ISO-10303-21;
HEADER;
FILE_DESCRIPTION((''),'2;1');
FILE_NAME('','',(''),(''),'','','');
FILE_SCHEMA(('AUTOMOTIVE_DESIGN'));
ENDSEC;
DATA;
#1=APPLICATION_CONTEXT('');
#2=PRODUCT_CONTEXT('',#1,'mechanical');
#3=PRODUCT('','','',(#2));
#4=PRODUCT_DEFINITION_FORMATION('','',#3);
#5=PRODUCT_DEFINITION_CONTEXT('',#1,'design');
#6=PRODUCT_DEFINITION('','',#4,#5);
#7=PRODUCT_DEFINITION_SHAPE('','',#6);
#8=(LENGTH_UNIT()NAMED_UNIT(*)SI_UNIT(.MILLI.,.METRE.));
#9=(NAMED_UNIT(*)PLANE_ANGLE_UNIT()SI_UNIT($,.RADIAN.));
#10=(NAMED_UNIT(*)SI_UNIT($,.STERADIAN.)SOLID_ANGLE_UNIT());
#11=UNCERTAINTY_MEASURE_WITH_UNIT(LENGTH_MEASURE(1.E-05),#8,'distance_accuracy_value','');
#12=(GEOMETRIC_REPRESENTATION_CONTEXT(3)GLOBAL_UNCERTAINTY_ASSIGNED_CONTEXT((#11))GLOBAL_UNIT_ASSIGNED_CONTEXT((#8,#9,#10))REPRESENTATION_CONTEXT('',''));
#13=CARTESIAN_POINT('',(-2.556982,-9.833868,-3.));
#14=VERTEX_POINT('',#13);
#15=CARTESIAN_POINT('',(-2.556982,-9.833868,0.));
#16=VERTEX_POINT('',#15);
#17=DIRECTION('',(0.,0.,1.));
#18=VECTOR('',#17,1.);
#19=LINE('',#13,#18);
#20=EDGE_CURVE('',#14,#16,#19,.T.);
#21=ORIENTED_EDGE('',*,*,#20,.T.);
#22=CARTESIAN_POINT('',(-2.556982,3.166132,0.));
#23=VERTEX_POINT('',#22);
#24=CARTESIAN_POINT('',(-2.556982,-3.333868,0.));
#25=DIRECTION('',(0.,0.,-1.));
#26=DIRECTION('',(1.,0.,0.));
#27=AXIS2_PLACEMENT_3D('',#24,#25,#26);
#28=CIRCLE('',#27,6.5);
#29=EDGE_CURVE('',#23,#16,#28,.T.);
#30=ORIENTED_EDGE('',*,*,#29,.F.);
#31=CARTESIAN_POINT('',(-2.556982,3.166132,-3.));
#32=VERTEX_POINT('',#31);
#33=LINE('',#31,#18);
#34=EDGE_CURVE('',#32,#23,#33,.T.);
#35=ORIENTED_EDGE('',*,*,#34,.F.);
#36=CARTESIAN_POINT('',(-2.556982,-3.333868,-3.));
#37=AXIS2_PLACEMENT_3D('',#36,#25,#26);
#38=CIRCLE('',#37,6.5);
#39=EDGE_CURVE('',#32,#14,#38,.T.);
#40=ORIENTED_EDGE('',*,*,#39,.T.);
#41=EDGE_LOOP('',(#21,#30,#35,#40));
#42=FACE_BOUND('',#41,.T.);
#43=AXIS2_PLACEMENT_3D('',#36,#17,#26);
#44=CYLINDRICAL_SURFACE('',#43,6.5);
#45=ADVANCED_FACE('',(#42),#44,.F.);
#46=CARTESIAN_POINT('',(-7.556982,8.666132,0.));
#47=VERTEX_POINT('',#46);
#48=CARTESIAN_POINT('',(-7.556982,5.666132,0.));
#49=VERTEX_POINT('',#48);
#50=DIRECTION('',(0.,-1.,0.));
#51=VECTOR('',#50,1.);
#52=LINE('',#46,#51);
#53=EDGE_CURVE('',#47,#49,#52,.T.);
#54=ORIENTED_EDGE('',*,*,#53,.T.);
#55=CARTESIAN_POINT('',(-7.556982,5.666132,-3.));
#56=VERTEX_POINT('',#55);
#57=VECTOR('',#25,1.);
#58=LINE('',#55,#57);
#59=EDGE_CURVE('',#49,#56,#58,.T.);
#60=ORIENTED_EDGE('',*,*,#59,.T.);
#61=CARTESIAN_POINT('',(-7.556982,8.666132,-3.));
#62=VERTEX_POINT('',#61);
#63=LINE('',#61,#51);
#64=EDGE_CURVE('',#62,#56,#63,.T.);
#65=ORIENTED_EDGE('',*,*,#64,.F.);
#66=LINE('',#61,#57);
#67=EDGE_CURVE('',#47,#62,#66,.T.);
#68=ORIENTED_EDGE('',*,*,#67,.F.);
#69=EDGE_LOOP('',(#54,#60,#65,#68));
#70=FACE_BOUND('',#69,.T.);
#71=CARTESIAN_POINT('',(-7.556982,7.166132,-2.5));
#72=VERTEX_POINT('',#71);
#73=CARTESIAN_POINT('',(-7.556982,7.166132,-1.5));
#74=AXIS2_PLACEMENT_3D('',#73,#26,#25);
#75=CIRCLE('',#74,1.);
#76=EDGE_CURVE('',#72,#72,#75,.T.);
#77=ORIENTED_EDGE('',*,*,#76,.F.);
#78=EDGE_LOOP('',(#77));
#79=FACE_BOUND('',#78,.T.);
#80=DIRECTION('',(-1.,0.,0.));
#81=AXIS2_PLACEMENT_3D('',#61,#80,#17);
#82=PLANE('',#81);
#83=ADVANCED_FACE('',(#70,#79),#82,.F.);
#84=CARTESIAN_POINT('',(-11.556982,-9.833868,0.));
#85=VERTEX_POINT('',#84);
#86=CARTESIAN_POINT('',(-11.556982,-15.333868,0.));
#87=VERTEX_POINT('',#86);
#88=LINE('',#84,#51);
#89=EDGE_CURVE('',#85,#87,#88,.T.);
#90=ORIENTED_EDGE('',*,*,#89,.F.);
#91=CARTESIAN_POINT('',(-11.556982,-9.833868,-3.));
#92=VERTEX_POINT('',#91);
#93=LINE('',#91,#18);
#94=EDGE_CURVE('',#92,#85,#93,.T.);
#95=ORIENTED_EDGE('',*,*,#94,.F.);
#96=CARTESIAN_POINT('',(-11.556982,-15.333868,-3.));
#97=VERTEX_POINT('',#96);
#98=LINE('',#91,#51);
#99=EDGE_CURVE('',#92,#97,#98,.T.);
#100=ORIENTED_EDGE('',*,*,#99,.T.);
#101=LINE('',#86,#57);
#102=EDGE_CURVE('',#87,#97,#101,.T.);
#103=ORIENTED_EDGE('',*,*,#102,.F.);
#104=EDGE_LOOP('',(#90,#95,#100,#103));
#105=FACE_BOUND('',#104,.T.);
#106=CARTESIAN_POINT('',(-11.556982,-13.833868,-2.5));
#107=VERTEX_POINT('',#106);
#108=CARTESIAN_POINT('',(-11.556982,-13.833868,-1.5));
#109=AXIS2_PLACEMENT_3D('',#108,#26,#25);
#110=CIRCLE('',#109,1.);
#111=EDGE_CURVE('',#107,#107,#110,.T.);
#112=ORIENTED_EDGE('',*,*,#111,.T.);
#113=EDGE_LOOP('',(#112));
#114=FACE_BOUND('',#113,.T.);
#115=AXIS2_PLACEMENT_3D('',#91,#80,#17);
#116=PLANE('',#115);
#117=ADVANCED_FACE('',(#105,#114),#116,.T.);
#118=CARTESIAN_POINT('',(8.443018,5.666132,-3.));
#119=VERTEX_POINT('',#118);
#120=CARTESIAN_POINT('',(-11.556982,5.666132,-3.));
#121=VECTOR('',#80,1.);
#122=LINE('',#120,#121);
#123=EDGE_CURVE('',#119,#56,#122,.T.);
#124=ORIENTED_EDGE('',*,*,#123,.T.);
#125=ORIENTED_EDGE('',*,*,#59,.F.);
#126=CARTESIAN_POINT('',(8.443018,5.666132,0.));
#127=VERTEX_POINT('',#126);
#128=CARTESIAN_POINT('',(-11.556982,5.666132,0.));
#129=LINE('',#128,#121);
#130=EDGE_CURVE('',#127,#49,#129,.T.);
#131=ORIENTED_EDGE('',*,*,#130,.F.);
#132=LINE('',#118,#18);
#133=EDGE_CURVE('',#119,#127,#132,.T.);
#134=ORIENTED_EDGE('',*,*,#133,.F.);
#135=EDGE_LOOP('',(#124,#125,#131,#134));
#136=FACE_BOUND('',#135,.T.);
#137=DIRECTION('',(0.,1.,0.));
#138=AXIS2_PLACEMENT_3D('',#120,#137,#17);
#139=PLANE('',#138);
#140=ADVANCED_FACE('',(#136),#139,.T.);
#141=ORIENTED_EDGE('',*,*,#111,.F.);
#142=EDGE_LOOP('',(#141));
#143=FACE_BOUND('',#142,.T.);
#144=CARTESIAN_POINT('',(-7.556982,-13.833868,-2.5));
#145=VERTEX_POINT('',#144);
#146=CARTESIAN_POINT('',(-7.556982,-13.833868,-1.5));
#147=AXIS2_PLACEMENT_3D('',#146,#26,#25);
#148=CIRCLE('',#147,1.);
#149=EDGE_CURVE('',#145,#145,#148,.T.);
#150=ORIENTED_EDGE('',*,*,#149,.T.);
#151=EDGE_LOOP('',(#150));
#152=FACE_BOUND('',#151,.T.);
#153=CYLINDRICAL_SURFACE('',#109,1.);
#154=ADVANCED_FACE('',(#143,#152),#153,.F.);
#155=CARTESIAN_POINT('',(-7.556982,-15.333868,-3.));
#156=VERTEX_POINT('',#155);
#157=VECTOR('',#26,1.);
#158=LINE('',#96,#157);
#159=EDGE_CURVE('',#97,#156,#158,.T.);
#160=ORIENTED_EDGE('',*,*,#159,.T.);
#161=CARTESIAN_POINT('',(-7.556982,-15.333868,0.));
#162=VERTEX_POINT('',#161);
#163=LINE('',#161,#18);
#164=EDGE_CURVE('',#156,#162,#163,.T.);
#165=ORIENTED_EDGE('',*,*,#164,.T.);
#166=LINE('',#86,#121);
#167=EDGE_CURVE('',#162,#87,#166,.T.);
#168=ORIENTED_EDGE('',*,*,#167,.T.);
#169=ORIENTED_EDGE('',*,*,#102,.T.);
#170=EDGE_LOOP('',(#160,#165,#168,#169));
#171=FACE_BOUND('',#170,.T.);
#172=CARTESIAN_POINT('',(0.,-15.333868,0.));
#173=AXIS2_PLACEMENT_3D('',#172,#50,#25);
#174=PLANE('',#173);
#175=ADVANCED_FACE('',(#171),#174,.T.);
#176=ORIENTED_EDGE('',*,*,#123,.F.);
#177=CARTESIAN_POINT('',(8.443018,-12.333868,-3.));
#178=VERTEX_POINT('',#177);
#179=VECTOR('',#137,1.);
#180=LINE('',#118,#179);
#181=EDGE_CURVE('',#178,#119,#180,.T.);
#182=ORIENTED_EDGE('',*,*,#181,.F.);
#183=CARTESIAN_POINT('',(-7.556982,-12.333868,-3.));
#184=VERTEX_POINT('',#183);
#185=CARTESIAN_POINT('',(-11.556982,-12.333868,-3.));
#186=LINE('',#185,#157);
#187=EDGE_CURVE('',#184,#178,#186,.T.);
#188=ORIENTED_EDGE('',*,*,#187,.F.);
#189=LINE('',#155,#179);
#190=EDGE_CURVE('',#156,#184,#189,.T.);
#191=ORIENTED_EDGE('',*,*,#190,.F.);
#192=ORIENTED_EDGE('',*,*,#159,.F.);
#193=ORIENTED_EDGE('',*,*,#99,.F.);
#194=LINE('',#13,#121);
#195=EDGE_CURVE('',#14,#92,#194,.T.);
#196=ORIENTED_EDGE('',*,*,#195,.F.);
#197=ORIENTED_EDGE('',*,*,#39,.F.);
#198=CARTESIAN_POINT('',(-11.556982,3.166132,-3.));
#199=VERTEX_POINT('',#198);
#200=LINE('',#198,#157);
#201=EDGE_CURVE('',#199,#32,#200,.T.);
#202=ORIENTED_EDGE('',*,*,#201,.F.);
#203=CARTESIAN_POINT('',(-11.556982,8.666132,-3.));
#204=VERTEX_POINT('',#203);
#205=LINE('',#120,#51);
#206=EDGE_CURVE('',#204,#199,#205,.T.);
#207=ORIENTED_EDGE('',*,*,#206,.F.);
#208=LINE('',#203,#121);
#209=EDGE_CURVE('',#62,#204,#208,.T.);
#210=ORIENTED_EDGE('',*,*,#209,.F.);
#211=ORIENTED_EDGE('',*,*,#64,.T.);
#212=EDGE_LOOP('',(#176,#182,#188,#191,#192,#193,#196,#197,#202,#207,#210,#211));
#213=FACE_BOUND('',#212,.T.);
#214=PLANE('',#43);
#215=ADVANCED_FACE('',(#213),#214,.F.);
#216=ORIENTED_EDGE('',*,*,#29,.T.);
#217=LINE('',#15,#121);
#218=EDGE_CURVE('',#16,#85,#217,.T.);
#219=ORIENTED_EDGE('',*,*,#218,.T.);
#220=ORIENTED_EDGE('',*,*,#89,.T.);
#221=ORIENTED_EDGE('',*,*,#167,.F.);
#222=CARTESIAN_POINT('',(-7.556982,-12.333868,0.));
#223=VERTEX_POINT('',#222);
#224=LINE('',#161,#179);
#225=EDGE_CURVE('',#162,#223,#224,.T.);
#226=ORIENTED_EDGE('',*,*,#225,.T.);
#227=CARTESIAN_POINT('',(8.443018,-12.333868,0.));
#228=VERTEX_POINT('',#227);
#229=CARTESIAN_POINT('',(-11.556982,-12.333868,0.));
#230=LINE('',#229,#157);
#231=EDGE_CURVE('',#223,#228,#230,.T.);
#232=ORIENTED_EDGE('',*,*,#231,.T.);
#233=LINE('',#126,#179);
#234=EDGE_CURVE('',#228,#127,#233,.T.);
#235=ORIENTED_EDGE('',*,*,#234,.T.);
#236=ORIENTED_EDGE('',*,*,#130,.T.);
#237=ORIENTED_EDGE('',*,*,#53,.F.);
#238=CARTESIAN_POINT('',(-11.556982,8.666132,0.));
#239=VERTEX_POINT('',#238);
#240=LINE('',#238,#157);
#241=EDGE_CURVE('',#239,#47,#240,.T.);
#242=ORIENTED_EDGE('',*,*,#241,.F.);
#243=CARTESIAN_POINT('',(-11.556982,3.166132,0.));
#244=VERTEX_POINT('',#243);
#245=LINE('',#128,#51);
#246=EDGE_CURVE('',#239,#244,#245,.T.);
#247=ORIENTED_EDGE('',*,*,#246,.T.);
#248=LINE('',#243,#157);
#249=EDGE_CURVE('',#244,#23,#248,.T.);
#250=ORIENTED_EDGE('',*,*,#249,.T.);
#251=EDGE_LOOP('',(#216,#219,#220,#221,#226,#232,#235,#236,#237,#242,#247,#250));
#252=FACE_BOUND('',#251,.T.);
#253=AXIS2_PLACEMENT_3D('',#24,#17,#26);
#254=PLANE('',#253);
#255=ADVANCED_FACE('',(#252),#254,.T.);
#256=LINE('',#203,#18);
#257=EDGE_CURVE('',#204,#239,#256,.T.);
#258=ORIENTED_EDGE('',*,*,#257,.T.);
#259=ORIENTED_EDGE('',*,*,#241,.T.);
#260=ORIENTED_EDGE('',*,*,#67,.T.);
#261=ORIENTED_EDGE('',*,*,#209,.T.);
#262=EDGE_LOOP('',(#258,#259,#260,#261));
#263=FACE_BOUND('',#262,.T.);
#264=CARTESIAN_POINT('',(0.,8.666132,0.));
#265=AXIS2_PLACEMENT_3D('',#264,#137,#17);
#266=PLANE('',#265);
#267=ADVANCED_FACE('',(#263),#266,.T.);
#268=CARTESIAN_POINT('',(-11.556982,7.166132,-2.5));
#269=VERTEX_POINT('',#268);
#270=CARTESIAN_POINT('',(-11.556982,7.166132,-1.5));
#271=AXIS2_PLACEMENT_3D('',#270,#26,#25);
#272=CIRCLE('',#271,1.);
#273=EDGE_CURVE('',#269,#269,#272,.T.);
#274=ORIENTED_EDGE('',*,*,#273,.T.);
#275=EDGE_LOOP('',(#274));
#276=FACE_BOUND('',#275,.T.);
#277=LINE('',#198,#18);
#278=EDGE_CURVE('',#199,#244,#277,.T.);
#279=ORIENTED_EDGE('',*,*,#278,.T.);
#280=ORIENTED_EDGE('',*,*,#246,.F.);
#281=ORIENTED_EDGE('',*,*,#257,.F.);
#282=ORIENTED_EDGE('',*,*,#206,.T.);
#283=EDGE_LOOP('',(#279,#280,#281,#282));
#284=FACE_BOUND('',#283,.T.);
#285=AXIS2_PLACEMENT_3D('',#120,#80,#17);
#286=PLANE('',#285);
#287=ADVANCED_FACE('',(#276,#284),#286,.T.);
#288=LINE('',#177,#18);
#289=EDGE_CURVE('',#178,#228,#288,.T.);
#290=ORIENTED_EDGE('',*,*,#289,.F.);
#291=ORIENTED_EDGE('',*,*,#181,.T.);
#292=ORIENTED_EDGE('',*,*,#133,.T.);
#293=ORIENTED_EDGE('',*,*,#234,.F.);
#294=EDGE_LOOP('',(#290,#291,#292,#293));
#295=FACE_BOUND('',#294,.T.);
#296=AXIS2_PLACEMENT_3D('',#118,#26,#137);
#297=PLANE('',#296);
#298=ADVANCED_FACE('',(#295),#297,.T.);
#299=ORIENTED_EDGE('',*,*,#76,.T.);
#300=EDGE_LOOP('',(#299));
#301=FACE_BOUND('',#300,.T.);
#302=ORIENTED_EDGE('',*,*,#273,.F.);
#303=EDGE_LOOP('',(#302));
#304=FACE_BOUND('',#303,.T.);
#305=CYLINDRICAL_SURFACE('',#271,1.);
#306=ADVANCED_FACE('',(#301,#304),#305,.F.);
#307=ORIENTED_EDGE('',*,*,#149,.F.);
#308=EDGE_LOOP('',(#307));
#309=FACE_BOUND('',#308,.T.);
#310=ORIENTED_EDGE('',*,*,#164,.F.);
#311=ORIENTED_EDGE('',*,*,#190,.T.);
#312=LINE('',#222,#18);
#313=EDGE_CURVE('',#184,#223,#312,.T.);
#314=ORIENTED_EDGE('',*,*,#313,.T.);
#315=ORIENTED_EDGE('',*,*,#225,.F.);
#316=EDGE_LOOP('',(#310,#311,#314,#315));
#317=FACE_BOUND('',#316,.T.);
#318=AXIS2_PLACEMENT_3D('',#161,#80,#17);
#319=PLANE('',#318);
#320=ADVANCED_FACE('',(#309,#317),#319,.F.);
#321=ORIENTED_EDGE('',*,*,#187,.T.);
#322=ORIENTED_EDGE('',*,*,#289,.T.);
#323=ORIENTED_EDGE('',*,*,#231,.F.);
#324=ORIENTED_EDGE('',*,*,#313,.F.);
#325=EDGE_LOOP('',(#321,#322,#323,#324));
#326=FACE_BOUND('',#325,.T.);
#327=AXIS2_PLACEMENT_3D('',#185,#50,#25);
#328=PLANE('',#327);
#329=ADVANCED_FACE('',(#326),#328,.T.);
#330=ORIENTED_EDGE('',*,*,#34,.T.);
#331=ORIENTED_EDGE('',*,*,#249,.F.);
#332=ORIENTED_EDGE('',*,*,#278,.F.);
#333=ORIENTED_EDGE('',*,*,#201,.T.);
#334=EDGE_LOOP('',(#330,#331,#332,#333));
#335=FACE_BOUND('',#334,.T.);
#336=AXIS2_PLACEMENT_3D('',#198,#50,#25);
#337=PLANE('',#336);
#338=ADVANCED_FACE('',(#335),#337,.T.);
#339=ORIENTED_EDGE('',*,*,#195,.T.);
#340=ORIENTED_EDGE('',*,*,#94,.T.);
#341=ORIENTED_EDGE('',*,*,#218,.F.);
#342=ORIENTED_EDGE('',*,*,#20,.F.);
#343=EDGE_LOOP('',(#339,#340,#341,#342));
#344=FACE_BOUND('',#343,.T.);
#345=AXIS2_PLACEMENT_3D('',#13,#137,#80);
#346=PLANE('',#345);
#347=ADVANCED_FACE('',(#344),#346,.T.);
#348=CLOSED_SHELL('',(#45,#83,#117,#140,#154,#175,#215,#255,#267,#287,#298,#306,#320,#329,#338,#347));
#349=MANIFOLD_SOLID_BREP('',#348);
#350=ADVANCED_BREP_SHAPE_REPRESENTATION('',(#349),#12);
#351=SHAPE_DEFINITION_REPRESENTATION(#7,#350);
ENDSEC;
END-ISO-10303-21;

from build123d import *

# Parameters (mm, degrees)
BOSS_EXTRUDE1_DEPTH = 3
SKETCH3_W           = 4
SKETCH3_H           = 3
BOSS_EXTRUDE2_DEPTH = 3
SKETCH4_W           = 4
SKETCH4_H           = 3
BOSS_EXTRUDE3_DEPTH = 3
SKETCH5_R           = 1
CUT_EXTRUDE1_DEPTH  = 23.363531015
SKETCH6_R           = 1
CUT_EXTRUDE2_DEPTH  = 23.363531015


with BuildPart() as part:
    # Sketch2 → Boss-Extrude1 (new body)
    with BuildSketch(Plane.XY):
        with BuildLine():
            Line((-11.556982343, -12.333868379), (8.443017657, -12.333868379))
            Line((8.443017657, -12.333868379), (8.443017657, 5.666131621))
            Line((8.443017657, 5.666131621), (-11.556982343, 5.666131621))
            Line((-11.556982343, 5.666131621), (-11.556982343, 3.166131621))
            Line((-11.556982343, 3.166131621), (-2.556982343, 3.166131621))
            ThreePointArc((-2.556982343, 3.166131621), (3.943017657, -3.333868379), (-2.556982343, -9.833868379))
            Line((-2.556982343, -9.833868379), (-11.556982343, -9.833868379))
            Line((-11.556982343, -9.833868379), (-11.556982343, -12.333868379))
        make_face()
    extrude(amount=-BOSS_EXTRUDE1_DEPTH)

    # Sketch3 → Boss-Extrude2 (add)
    with BuildSketch(Plane(origin=(0, 5.666131621, 0), x_dir=(1, 0, 0), z_dir=(0, 1, 0))):
        with Locations((-9.556982343, 1.5)):
            Rectangle(SKETCH3_W, SKETCH3_H)
    extrude(amount=BOSS_EXTRUDE2_DEPTH)

    # Sketch4 → Boss-Extrude3 (add)
    with BuildSketch(Plane.XZ.offset(12.333868379)):
        with Locations((-9.556982343, -1.5)):
            Rectangle(SKETCH4_W, SKETCH4_H)
    extrude(amount=BOSS_EXTRUDE3_DEPTH)

    # Sketch5 → Cut-Extrude1 (cut, through all)
    with BuildSketch(Plane(origin=(-7.556982343, 0, 0), x_dir=(0, 0, -1), z_dir=(1, 0, 0))):
        with Locations((1.5, 7.166131621)):
            Circle(SKETCH5_R)
    extrude(amount=-CUT_EXTRUDE1_DEPTH, mode=Mode.SUBTRACT)

    # Sketch6 → Cut-Extrude2 (cut, through all)
    with BuildSketch(Plane(origin=(-7.556982343, 0, 0), x_dir=(0, 0, -1), z_dir=(1, 0, 0))):
        with Locations((1.5, -13.833868379)):
            Circle(SKETCH6_R)
    extrude(amount=-CUT_EXTRUDE2_DEPTH, mode=Mode.SUBTRACT)


solid = part.part
